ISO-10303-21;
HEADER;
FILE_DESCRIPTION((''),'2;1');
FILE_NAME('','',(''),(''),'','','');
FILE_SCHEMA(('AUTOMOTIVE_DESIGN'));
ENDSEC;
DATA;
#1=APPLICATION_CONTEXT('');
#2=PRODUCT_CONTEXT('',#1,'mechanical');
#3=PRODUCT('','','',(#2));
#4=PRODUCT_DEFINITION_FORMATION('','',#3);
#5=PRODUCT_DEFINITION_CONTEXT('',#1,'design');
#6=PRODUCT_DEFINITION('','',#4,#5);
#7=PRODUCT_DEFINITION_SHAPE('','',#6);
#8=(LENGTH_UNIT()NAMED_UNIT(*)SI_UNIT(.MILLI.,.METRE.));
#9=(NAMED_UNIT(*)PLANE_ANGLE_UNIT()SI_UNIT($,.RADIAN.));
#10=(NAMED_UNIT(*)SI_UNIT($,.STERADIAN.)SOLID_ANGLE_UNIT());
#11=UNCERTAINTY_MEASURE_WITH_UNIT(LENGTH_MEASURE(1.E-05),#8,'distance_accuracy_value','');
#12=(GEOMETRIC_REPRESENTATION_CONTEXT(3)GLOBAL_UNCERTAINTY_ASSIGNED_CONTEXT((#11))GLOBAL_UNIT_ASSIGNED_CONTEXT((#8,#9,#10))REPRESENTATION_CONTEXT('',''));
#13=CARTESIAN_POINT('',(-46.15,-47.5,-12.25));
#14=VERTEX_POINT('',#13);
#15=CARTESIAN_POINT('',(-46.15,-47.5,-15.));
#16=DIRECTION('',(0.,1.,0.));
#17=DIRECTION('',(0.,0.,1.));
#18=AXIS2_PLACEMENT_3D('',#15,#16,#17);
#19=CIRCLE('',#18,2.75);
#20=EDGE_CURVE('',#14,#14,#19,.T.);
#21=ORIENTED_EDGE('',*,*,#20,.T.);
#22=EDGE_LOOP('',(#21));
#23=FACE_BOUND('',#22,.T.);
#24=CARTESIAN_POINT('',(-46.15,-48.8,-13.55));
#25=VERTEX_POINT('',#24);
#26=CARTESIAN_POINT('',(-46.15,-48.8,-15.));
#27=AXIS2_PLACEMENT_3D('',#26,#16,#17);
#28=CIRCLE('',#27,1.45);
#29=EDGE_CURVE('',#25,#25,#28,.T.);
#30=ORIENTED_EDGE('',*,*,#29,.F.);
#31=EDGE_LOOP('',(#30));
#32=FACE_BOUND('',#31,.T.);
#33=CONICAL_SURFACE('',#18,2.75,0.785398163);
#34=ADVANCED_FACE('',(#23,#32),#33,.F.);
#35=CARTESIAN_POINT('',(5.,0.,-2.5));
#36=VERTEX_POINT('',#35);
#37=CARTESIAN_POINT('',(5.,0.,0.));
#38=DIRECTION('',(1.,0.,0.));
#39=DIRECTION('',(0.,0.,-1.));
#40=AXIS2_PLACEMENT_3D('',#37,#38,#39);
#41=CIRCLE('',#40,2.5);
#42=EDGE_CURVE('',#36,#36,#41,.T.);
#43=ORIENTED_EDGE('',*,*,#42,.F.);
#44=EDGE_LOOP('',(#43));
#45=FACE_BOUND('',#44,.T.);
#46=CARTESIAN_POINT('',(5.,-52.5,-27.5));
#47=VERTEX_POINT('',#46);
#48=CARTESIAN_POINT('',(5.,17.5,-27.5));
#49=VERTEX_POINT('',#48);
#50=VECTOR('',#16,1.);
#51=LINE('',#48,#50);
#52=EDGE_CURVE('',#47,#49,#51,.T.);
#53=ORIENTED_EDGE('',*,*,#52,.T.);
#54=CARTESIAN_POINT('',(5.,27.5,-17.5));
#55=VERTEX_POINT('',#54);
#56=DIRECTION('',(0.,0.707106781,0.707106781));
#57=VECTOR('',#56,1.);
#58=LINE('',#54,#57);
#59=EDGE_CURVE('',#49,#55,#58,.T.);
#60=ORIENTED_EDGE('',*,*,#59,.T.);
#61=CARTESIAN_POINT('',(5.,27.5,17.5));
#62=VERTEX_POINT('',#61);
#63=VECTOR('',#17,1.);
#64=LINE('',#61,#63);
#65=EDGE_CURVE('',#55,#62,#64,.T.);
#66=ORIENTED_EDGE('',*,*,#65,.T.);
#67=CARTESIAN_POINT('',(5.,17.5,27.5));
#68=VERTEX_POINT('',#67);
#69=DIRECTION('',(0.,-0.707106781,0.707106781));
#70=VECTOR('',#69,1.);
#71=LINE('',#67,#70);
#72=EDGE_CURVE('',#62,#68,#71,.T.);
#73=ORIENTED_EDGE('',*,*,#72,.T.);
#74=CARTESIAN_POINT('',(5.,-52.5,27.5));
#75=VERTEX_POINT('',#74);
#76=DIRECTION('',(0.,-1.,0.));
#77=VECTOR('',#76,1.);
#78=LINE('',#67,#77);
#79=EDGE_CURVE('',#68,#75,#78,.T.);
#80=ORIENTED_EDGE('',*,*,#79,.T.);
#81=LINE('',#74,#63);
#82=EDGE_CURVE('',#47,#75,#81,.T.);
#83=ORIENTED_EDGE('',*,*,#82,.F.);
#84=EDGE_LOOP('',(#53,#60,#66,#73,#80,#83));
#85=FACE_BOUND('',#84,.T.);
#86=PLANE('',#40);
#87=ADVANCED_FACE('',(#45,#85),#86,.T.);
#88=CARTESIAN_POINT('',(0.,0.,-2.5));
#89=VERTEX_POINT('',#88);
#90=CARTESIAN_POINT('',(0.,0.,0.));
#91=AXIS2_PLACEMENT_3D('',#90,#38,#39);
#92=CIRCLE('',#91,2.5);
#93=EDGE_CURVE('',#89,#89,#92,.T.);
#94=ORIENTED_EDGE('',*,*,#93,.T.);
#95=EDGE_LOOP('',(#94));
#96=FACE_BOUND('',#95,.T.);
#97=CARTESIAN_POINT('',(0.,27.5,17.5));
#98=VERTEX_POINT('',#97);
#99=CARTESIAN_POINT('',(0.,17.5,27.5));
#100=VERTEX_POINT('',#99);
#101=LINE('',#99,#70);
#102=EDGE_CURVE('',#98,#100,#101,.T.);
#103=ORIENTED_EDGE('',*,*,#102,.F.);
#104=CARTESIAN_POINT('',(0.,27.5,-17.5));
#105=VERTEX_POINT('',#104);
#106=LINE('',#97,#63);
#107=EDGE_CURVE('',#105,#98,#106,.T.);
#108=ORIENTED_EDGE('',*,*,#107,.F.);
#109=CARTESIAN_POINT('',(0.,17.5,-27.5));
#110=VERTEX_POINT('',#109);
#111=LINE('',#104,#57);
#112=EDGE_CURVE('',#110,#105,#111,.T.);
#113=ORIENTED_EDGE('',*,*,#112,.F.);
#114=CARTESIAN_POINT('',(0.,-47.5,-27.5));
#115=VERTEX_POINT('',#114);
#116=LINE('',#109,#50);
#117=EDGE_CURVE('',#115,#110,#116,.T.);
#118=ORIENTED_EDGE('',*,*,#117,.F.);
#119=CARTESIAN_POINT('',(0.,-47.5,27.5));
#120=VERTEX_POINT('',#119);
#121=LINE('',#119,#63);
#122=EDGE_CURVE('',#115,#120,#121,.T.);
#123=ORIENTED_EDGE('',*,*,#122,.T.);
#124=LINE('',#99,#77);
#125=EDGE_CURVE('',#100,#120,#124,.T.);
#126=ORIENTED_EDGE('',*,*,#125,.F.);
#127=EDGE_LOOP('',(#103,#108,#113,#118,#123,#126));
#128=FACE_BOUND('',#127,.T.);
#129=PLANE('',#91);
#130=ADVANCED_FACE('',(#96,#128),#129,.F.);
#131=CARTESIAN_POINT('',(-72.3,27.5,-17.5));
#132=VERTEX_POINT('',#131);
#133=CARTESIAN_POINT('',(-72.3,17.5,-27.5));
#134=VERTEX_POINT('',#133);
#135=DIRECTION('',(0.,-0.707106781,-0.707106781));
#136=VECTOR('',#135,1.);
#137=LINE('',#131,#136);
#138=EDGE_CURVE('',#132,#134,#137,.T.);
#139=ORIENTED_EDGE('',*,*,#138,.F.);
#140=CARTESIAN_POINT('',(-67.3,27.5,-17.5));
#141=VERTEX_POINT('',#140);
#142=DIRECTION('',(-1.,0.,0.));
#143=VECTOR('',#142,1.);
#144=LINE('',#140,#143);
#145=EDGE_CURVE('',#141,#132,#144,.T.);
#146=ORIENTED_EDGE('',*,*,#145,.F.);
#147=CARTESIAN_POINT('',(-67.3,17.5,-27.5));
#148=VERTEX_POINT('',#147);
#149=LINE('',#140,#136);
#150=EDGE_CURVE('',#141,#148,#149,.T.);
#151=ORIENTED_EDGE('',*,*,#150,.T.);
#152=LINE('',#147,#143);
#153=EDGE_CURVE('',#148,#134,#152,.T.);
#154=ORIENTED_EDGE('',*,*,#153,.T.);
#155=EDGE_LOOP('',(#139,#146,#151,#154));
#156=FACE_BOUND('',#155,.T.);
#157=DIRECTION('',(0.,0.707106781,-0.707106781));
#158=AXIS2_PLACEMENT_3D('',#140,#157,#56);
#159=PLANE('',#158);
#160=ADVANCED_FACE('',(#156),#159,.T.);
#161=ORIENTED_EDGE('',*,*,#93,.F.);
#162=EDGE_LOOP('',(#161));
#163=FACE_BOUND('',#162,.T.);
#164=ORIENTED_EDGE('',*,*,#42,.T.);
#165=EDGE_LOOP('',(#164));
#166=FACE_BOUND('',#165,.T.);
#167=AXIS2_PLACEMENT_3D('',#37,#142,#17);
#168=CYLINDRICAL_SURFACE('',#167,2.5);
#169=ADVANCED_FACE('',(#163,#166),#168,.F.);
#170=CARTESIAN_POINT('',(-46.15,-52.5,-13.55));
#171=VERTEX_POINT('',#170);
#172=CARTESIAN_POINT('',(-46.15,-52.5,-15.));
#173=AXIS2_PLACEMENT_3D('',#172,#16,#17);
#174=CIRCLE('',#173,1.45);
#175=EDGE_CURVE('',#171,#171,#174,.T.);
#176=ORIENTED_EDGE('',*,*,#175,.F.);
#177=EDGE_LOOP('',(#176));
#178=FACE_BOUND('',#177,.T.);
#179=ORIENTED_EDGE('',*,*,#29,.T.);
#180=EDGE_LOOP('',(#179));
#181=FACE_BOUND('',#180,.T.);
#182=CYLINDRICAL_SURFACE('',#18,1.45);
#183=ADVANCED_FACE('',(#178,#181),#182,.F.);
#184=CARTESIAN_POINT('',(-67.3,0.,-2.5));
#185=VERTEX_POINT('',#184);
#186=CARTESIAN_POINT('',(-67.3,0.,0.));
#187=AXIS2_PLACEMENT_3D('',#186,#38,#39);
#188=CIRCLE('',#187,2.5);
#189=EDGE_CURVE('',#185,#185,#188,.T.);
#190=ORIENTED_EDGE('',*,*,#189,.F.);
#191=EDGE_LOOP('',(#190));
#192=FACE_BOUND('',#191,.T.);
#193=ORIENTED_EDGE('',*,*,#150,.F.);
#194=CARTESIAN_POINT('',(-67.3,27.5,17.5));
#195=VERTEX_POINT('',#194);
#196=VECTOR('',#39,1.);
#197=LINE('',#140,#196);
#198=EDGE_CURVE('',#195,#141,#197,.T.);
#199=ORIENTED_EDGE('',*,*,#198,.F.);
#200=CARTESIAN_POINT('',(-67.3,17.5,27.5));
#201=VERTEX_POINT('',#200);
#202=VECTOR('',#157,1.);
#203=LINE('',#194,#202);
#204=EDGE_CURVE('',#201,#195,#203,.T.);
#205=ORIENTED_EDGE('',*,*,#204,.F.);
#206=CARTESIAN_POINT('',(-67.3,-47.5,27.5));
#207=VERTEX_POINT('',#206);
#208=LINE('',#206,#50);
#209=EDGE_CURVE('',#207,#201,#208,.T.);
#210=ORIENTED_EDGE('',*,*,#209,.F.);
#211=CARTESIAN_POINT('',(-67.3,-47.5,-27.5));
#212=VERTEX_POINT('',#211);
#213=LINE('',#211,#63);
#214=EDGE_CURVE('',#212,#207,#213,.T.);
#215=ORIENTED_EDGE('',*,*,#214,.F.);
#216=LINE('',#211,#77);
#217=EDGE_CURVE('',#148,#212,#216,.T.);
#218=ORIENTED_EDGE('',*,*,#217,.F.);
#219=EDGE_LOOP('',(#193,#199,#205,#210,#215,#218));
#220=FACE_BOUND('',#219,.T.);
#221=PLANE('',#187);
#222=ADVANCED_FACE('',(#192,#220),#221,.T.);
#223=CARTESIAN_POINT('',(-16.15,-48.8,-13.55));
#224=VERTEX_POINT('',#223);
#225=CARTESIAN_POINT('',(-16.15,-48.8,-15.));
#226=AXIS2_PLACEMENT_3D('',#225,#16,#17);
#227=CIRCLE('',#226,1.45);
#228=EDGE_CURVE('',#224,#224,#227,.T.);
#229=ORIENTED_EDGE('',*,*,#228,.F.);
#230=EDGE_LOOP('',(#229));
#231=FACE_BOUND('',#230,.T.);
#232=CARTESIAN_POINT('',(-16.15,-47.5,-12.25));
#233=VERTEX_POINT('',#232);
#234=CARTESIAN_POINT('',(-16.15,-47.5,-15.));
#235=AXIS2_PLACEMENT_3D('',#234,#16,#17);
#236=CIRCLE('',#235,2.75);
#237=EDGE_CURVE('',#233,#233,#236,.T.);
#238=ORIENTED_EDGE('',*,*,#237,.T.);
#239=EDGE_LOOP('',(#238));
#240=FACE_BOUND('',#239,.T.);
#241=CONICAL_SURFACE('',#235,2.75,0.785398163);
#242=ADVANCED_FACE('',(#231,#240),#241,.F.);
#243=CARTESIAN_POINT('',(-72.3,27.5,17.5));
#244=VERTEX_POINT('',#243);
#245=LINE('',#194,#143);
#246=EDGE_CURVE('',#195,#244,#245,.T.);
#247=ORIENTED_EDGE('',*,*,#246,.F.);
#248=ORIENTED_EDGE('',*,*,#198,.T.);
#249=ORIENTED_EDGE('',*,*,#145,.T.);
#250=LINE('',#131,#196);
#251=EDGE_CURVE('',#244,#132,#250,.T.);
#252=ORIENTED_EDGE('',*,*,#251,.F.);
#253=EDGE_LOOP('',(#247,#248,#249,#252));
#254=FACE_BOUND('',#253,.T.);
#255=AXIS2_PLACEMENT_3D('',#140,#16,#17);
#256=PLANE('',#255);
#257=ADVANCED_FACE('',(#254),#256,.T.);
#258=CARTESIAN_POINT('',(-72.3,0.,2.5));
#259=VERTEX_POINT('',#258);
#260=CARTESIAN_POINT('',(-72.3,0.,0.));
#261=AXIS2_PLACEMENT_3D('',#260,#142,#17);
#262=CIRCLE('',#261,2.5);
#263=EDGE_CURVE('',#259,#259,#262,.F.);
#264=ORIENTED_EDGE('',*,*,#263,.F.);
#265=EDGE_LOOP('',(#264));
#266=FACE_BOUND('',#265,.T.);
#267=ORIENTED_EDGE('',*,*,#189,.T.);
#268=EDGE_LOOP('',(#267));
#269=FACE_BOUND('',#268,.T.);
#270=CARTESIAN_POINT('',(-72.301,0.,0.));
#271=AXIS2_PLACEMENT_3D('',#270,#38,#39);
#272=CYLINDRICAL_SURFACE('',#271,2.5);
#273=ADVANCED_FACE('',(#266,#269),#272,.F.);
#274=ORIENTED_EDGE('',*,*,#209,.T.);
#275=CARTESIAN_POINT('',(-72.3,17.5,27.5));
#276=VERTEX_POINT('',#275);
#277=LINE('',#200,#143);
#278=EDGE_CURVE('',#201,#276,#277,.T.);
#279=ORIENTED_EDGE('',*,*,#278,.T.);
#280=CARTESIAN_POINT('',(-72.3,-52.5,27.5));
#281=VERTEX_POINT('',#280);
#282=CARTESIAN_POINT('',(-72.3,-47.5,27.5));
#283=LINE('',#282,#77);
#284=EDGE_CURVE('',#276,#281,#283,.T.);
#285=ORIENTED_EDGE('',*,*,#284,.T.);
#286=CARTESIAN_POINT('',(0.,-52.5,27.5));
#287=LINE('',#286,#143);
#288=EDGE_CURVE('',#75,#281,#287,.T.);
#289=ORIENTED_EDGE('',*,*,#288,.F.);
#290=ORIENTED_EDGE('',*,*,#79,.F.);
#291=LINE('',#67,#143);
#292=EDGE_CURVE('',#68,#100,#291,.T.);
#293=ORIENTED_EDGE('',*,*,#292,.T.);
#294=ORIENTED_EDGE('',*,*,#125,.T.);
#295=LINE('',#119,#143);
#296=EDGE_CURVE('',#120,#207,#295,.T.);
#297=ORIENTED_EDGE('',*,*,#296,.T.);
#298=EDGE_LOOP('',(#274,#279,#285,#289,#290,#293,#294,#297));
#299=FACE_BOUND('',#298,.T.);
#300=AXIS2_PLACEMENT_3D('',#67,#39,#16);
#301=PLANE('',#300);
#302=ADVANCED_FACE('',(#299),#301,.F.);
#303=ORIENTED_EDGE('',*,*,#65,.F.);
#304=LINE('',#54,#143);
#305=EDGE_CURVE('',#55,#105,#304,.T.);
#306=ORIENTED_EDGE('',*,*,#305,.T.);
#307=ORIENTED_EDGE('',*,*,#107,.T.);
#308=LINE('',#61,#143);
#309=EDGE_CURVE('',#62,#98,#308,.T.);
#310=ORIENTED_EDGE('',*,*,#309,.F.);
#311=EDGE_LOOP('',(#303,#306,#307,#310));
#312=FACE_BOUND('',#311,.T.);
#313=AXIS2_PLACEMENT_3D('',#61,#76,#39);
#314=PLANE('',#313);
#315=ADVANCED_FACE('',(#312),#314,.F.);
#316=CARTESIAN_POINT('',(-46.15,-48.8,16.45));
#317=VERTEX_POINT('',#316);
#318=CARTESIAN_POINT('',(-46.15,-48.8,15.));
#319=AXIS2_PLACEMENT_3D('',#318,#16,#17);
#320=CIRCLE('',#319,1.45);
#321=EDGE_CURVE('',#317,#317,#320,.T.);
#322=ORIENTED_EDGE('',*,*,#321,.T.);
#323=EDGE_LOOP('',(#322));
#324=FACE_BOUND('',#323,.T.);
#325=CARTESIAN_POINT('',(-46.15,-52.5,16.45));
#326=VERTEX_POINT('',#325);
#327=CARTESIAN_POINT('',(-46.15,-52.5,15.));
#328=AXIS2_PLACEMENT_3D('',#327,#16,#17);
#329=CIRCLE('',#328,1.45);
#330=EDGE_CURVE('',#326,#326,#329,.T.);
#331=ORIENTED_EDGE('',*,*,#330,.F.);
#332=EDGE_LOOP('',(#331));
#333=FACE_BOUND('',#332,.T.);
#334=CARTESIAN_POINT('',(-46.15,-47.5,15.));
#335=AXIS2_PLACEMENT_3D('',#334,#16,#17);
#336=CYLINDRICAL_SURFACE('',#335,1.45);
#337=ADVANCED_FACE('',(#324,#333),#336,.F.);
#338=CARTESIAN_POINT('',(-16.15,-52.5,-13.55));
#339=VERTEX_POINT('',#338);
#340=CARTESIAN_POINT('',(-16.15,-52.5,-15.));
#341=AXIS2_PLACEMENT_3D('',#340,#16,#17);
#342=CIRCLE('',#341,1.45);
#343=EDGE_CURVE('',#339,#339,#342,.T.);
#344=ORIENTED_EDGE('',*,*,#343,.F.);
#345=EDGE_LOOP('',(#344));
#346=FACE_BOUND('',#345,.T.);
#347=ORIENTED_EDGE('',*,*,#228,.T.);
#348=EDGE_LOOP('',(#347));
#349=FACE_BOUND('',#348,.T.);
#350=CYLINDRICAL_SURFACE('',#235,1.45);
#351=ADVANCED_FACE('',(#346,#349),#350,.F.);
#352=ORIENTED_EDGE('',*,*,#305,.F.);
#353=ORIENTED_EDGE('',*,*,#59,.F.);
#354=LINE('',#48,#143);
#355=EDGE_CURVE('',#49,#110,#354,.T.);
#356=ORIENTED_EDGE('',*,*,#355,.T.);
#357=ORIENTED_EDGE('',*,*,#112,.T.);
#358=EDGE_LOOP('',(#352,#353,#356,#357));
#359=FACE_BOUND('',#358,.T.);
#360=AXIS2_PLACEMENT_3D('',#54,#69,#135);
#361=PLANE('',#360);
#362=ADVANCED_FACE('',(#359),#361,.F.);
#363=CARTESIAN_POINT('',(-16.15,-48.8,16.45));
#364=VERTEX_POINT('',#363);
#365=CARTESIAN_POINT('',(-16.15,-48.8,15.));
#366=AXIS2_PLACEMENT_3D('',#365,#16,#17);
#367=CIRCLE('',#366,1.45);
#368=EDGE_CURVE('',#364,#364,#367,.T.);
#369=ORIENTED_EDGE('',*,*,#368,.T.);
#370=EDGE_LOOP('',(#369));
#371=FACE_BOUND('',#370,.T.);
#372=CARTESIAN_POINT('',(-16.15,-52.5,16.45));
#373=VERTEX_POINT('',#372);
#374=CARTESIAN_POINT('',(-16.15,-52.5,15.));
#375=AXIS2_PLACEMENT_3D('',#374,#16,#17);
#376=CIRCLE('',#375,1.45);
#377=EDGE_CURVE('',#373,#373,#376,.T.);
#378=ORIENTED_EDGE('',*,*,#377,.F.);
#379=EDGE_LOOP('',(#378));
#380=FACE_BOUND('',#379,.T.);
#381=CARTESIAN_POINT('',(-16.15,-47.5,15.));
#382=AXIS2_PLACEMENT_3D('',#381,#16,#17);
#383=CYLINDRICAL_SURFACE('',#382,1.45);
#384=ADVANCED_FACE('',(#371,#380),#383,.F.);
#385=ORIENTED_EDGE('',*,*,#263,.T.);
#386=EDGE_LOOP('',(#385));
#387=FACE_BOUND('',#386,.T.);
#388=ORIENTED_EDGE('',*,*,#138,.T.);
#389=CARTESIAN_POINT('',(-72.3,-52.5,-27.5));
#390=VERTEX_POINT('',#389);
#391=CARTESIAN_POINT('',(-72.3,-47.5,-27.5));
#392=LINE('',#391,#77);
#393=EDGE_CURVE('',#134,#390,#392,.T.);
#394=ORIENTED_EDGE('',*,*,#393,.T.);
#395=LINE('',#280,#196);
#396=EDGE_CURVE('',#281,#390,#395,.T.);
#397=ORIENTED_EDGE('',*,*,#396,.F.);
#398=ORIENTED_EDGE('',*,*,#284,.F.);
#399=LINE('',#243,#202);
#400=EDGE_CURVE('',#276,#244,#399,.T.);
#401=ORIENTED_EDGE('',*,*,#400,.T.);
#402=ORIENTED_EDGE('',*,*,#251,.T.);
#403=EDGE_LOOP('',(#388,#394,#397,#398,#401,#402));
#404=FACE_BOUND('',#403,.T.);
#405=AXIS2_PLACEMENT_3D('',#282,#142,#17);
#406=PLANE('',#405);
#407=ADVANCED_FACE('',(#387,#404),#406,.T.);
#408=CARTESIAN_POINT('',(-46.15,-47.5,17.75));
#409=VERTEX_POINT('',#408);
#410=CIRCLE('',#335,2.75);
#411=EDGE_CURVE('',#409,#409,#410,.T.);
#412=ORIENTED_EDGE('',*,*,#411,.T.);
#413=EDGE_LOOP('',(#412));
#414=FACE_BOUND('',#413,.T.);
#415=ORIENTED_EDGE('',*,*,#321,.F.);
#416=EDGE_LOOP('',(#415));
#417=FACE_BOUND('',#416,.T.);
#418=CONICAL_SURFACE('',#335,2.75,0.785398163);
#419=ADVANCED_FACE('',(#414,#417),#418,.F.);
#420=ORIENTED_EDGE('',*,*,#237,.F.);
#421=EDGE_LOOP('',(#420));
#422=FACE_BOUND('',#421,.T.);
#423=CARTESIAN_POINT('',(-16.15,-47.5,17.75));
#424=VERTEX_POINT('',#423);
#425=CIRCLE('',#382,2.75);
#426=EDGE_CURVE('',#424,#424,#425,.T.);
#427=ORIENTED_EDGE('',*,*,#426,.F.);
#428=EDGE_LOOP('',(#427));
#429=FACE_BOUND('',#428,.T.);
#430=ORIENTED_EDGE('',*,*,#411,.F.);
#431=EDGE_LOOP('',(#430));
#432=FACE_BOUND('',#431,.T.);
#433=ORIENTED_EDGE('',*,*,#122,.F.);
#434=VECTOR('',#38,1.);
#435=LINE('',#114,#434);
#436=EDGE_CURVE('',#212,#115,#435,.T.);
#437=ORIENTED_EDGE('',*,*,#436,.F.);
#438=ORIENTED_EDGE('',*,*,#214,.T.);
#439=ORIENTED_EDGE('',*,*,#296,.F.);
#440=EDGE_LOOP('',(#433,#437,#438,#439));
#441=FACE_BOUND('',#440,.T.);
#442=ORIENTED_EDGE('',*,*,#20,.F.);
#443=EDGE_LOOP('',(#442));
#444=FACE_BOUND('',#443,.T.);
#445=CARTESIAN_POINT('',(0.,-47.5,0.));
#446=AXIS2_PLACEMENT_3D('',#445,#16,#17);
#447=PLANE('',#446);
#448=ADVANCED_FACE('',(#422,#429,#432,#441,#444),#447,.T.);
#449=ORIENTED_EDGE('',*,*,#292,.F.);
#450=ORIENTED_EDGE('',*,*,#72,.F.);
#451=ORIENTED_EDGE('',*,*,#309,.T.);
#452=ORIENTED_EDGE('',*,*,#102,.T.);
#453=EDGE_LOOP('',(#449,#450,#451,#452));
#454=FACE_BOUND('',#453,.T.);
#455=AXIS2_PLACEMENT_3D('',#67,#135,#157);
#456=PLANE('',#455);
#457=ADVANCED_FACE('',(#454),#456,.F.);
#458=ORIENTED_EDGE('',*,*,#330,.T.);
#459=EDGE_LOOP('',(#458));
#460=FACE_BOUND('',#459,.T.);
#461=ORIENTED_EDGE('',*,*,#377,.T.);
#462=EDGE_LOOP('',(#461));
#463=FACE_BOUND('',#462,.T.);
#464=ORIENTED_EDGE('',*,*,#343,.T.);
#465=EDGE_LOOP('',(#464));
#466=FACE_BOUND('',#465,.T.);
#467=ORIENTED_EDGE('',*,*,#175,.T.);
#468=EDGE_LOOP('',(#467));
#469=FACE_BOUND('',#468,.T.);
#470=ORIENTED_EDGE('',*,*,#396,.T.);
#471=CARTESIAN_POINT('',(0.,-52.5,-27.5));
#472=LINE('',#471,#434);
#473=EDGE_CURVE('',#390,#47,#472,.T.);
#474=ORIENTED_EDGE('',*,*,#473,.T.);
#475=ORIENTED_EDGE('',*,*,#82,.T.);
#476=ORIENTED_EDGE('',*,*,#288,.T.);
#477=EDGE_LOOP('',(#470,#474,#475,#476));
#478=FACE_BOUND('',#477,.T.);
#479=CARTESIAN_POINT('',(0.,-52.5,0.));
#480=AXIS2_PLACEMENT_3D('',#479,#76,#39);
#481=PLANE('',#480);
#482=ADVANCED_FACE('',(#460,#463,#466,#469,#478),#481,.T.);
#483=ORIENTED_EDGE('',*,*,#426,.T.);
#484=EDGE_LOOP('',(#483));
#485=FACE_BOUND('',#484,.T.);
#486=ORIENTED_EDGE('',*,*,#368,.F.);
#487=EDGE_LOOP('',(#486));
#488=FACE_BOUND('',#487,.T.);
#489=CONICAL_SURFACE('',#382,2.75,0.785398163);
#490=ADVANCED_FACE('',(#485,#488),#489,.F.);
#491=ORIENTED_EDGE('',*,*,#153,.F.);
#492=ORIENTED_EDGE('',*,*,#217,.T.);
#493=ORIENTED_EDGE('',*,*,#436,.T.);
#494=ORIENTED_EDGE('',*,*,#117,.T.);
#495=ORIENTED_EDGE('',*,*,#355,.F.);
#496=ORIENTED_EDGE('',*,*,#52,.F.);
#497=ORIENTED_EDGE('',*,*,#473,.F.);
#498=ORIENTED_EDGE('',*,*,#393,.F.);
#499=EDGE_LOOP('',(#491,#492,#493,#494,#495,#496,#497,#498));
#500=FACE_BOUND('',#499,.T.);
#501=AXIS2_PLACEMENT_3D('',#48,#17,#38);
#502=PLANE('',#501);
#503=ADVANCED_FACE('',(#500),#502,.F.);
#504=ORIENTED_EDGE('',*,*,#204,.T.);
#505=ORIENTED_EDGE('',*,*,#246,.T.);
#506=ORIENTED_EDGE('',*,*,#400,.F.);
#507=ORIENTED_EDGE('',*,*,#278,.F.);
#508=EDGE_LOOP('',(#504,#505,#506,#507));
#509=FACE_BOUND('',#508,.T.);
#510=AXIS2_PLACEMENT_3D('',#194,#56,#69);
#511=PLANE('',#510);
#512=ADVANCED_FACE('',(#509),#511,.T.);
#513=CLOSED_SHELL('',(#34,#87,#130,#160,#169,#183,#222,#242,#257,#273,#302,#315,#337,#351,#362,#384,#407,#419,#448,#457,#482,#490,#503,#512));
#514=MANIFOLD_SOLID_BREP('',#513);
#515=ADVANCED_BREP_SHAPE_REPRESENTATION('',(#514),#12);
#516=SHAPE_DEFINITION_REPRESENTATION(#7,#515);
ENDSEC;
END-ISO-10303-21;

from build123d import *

# Parameters (mm, degrees)
SKETCH1_R                                         = 2.5
BOSS_EXTRUDE1_DEPTH                               = 5
SKETCH2_W                                         = 5
SKETCH2_H                                         = 55
BOSS_EXTRUDE2_DEPTH                               = 25
SKETCH3_W                                         = 72.3
SKETCH3_H                                         = 55
BOSS_EXTRUDE3_DEPTH                               = 5
BOSS_EXTRUDE4_DEPTH                               = 5
CUT_EXTRUDE1_REACH                                = 7
SKETCH5_R                                         = 2.5
CSK_FOR_M2_5_FLAT_HEAD_MACHINE_SCREW1_D           = 2.9
CSK_FOR_M2_5_FLAT_HEAD_MACHINE_SCREW1_CSINK_D     = 5.5
CSK_FOR_M2_5_FLAT_HEAD_MACHINE_SCREW1_CSINK_ANGLE = 90


with BuildPart() as part:
    # Sketch1 → Boss-Extrude1 (new body)
    with BuildSketch(Plane(origin=(0, 0, 0), x_dir=(0, 0, -1), z_dir=(1, 0, 0))):
        Polygon((-27.5, 17.5), (-17.5, 27.5), (17.5, 27.5), (27.5, 17.5), (27.5, -27.5), (-27.5, -27.5), align=None)
        Circle(SKETCH1_R, mode=Mode.SUBTRACT)
    extrude(amount=BOSS_EXTRUDE1_DEPTH)

    # Sketch2 → Boss-Extrude2 (add)
    with BuildSketch(Plane.XZ.offset(27.5)):
        with Locations((2.5, 0)):
            Rectangle(SKETCH2_W, SKETCH2_H)
    extrude(amount=BOSS_EXTRUDE2_DEPTH)

    # Sketch3 → Boss-Extrude3 (add)
    with BuildSketch(Plane.XZ.offset(52.5)):
        with Locations((-36.15, 0)):
            Rectangle(SKETCH3_W, SKETCH3_H)
    extrude(amount=-BOSS_EXTRUDE3_DEPTH)

    # Sketch4 → Boss-Extrude4 (add)
    with BuildSketch(Plane.ZY.offset(72.3)):
        Polygon((-17.5, 27.5), (-27.5, 17.5), (-27.5, -47.5), (27.5, -47.5), (27.5, 17.5), (17.5, 27.5), align=None)
    extrude(amount=-BOSS_EXTRUDE4_DEPTH)

    # Sketch5 → Cut-Extrude1 (cut, up to next)
    with BuildSketch(Plane(origin=(-67.3, 0, 0), x_dir=(0, 0, -1), z_dir=(1, 0, 0)), mode=Mode.PRIVATE) as cut_extrude1_sk1:
        Circle(SKETCH5_R)
    cut_extrude1_tool1 = extrude(cut_extrude1_sk1.sketch, amount=-CUT_EXTRUDE1_REACH, mode=Mode.PRIVATE) & part.part
    add(cut_extrude1_tool1.solids().sort_by_distance((-67.3, 0, 0))[0], mode=Mode.SUBTRACT)

    # CSK for M2.5 Flat Head Machine Screw1 (through all)
    with Locations(Plane(origin=(0, -47.5, 0), x_dir=(1, 0, 0), z_dir=(0, 1, 0))):
        with Locations((-16.15, 15), (-16.15, -15), (-46.15, -15), (-46.15, 15)):
            CounterSinkHole(CSK_FOR_M2_5_FLAT_HEAD_MACHINE_SCREW1_D / 2, CSK_FOR_M2_5_FLAT_HEAD_MACHINE_SCREW1_CSINK_D / 2, counter_sink_angle=CSK_FOR_M2_5_FLAT_HEAD_MACHINE_SCREW1_CSINK_ANGLE)


solid = part.part
